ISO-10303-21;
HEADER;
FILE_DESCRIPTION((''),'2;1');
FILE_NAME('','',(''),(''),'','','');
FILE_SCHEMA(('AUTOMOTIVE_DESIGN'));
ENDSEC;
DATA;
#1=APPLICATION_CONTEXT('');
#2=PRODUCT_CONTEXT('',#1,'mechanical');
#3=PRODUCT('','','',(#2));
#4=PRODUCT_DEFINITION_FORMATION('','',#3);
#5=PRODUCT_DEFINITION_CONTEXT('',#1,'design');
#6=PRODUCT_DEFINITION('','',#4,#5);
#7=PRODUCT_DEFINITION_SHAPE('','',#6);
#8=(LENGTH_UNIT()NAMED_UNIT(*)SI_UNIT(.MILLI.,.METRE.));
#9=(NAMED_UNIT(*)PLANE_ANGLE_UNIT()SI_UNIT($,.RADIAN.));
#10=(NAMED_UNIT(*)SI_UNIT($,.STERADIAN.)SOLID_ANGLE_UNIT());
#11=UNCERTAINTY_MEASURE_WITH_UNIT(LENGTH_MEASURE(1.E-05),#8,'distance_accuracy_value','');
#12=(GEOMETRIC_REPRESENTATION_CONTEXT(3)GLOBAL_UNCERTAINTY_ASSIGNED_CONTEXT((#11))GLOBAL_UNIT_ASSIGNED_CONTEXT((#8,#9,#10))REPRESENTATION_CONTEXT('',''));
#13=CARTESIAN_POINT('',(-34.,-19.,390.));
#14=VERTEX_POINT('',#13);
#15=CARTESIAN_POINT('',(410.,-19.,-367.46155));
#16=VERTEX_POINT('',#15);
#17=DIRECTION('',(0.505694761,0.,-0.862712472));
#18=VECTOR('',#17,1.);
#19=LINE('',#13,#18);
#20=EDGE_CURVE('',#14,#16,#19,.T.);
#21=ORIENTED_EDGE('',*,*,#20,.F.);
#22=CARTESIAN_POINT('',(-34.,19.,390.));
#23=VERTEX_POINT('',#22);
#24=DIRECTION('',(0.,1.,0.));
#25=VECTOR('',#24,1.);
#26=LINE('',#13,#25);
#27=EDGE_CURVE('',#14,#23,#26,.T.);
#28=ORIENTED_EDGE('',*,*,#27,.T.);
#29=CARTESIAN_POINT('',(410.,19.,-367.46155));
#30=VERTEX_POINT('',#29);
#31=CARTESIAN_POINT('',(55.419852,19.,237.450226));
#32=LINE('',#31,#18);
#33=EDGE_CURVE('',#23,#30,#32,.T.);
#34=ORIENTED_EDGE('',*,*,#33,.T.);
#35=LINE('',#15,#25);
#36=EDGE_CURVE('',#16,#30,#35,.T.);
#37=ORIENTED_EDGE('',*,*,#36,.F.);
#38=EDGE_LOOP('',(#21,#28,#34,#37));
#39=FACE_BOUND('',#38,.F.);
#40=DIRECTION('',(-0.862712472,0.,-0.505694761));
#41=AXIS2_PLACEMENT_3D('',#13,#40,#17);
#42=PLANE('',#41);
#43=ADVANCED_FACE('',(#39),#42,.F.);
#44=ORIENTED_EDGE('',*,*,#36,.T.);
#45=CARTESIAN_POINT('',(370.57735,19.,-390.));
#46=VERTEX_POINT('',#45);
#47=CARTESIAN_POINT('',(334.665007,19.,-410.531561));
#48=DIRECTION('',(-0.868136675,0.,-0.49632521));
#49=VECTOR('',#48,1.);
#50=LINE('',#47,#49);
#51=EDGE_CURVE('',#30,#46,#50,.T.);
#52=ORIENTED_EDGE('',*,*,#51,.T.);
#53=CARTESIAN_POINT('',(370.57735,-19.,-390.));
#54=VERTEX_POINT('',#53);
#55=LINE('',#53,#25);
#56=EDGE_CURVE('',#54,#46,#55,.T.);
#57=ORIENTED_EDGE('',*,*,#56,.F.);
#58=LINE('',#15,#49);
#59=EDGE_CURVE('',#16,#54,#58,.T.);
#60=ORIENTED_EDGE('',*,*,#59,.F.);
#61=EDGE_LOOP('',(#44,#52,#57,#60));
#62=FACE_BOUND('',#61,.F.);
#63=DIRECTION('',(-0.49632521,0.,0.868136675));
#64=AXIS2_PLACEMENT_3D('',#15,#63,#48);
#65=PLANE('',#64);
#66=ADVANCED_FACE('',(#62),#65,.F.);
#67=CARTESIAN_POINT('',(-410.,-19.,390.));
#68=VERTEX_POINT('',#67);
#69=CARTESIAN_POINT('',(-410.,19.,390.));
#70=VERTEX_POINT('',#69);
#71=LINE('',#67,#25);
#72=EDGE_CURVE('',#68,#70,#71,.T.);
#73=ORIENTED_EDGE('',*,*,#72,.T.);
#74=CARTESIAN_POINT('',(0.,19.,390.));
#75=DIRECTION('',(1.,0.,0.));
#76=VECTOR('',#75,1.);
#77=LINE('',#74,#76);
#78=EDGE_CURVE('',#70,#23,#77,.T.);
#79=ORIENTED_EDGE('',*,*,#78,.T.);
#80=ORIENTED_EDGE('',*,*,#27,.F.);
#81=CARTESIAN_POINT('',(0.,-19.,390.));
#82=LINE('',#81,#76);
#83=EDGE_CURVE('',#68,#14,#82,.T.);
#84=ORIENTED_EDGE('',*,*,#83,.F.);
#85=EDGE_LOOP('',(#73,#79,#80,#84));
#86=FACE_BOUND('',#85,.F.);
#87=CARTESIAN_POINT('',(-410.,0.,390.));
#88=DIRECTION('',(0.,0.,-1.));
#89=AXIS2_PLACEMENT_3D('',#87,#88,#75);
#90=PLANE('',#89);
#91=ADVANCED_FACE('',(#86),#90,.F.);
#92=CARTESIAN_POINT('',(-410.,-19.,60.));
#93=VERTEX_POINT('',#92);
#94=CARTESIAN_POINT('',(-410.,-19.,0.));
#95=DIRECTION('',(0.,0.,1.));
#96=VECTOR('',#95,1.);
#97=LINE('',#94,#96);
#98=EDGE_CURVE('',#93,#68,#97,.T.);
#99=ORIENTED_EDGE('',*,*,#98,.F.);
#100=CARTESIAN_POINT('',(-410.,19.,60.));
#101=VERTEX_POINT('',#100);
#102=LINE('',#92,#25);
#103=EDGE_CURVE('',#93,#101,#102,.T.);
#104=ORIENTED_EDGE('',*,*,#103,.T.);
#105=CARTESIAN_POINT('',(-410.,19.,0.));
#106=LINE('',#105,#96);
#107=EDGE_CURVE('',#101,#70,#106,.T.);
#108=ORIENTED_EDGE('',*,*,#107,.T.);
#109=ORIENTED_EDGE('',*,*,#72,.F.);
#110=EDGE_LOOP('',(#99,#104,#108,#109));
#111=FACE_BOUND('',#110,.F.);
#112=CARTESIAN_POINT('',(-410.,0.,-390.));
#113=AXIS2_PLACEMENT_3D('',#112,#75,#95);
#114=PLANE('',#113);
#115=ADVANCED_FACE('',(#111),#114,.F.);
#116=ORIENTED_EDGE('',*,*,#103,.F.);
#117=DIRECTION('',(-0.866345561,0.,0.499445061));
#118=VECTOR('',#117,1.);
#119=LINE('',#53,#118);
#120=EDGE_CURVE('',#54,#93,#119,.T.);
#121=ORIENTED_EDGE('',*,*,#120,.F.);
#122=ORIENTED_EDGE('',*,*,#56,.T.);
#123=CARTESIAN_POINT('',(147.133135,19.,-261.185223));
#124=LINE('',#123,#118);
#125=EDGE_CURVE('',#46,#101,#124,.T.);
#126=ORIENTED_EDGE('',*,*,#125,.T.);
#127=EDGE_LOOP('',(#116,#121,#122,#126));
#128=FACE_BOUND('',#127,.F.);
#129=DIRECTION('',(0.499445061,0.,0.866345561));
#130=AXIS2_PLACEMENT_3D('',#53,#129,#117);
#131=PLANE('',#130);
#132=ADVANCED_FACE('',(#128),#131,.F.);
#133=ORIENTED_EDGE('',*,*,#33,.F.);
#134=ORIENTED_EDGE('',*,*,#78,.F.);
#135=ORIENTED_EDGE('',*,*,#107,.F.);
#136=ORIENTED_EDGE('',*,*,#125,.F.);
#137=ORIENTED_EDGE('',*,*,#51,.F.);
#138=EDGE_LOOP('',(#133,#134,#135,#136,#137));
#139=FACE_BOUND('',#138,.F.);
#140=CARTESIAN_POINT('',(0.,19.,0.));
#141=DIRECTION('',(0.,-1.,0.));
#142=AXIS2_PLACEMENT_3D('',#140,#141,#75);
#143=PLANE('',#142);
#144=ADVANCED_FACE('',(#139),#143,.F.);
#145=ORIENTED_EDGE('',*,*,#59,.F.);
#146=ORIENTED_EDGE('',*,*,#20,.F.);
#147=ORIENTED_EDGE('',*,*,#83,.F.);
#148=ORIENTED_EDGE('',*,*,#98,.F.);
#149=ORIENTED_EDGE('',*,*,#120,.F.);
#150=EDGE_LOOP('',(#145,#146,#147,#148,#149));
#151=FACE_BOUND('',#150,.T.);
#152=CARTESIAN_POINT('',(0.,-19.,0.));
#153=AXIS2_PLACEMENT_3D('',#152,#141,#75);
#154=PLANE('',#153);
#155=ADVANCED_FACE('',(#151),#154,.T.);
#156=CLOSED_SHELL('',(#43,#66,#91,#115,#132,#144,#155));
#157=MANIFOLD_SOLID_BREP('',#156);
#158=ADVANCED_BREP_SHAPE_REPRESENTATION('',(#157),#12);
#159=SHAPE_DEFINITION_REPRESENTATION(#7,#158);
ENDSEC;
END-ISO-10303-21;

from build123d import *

# Parameters (mm, degrees)
F0_W     = 820
F0_H     = 780
F1_DEPTH = 19
F3_DEPTH = 38.001


with BuildPart() as f1:
    # F0 (on Front) → F1 (new body, symmetric)
    with BuildSketch(Plane.XZ):
        Rectangle(F0_W, F0_H)
    extrude(amount=F1_DEPTH, both=True)

    # F2 (on face) → F3 (cut, through all)
    with BuildSketch(Plane.XZ.offset(19)):
        Polygon((-34, 390), (410, -367.46155), (410, 390), align=None)
        Polygon((370.57735, -390), (-410, 60), (-410, -390), align=None)
        Polygon((410, -367.46155), (370.57735, -390), (410, -390), align=None)
    extrude(amount=-F3_DEPTH, mode=Mode.SUBTRACT)


solid = f1.part
